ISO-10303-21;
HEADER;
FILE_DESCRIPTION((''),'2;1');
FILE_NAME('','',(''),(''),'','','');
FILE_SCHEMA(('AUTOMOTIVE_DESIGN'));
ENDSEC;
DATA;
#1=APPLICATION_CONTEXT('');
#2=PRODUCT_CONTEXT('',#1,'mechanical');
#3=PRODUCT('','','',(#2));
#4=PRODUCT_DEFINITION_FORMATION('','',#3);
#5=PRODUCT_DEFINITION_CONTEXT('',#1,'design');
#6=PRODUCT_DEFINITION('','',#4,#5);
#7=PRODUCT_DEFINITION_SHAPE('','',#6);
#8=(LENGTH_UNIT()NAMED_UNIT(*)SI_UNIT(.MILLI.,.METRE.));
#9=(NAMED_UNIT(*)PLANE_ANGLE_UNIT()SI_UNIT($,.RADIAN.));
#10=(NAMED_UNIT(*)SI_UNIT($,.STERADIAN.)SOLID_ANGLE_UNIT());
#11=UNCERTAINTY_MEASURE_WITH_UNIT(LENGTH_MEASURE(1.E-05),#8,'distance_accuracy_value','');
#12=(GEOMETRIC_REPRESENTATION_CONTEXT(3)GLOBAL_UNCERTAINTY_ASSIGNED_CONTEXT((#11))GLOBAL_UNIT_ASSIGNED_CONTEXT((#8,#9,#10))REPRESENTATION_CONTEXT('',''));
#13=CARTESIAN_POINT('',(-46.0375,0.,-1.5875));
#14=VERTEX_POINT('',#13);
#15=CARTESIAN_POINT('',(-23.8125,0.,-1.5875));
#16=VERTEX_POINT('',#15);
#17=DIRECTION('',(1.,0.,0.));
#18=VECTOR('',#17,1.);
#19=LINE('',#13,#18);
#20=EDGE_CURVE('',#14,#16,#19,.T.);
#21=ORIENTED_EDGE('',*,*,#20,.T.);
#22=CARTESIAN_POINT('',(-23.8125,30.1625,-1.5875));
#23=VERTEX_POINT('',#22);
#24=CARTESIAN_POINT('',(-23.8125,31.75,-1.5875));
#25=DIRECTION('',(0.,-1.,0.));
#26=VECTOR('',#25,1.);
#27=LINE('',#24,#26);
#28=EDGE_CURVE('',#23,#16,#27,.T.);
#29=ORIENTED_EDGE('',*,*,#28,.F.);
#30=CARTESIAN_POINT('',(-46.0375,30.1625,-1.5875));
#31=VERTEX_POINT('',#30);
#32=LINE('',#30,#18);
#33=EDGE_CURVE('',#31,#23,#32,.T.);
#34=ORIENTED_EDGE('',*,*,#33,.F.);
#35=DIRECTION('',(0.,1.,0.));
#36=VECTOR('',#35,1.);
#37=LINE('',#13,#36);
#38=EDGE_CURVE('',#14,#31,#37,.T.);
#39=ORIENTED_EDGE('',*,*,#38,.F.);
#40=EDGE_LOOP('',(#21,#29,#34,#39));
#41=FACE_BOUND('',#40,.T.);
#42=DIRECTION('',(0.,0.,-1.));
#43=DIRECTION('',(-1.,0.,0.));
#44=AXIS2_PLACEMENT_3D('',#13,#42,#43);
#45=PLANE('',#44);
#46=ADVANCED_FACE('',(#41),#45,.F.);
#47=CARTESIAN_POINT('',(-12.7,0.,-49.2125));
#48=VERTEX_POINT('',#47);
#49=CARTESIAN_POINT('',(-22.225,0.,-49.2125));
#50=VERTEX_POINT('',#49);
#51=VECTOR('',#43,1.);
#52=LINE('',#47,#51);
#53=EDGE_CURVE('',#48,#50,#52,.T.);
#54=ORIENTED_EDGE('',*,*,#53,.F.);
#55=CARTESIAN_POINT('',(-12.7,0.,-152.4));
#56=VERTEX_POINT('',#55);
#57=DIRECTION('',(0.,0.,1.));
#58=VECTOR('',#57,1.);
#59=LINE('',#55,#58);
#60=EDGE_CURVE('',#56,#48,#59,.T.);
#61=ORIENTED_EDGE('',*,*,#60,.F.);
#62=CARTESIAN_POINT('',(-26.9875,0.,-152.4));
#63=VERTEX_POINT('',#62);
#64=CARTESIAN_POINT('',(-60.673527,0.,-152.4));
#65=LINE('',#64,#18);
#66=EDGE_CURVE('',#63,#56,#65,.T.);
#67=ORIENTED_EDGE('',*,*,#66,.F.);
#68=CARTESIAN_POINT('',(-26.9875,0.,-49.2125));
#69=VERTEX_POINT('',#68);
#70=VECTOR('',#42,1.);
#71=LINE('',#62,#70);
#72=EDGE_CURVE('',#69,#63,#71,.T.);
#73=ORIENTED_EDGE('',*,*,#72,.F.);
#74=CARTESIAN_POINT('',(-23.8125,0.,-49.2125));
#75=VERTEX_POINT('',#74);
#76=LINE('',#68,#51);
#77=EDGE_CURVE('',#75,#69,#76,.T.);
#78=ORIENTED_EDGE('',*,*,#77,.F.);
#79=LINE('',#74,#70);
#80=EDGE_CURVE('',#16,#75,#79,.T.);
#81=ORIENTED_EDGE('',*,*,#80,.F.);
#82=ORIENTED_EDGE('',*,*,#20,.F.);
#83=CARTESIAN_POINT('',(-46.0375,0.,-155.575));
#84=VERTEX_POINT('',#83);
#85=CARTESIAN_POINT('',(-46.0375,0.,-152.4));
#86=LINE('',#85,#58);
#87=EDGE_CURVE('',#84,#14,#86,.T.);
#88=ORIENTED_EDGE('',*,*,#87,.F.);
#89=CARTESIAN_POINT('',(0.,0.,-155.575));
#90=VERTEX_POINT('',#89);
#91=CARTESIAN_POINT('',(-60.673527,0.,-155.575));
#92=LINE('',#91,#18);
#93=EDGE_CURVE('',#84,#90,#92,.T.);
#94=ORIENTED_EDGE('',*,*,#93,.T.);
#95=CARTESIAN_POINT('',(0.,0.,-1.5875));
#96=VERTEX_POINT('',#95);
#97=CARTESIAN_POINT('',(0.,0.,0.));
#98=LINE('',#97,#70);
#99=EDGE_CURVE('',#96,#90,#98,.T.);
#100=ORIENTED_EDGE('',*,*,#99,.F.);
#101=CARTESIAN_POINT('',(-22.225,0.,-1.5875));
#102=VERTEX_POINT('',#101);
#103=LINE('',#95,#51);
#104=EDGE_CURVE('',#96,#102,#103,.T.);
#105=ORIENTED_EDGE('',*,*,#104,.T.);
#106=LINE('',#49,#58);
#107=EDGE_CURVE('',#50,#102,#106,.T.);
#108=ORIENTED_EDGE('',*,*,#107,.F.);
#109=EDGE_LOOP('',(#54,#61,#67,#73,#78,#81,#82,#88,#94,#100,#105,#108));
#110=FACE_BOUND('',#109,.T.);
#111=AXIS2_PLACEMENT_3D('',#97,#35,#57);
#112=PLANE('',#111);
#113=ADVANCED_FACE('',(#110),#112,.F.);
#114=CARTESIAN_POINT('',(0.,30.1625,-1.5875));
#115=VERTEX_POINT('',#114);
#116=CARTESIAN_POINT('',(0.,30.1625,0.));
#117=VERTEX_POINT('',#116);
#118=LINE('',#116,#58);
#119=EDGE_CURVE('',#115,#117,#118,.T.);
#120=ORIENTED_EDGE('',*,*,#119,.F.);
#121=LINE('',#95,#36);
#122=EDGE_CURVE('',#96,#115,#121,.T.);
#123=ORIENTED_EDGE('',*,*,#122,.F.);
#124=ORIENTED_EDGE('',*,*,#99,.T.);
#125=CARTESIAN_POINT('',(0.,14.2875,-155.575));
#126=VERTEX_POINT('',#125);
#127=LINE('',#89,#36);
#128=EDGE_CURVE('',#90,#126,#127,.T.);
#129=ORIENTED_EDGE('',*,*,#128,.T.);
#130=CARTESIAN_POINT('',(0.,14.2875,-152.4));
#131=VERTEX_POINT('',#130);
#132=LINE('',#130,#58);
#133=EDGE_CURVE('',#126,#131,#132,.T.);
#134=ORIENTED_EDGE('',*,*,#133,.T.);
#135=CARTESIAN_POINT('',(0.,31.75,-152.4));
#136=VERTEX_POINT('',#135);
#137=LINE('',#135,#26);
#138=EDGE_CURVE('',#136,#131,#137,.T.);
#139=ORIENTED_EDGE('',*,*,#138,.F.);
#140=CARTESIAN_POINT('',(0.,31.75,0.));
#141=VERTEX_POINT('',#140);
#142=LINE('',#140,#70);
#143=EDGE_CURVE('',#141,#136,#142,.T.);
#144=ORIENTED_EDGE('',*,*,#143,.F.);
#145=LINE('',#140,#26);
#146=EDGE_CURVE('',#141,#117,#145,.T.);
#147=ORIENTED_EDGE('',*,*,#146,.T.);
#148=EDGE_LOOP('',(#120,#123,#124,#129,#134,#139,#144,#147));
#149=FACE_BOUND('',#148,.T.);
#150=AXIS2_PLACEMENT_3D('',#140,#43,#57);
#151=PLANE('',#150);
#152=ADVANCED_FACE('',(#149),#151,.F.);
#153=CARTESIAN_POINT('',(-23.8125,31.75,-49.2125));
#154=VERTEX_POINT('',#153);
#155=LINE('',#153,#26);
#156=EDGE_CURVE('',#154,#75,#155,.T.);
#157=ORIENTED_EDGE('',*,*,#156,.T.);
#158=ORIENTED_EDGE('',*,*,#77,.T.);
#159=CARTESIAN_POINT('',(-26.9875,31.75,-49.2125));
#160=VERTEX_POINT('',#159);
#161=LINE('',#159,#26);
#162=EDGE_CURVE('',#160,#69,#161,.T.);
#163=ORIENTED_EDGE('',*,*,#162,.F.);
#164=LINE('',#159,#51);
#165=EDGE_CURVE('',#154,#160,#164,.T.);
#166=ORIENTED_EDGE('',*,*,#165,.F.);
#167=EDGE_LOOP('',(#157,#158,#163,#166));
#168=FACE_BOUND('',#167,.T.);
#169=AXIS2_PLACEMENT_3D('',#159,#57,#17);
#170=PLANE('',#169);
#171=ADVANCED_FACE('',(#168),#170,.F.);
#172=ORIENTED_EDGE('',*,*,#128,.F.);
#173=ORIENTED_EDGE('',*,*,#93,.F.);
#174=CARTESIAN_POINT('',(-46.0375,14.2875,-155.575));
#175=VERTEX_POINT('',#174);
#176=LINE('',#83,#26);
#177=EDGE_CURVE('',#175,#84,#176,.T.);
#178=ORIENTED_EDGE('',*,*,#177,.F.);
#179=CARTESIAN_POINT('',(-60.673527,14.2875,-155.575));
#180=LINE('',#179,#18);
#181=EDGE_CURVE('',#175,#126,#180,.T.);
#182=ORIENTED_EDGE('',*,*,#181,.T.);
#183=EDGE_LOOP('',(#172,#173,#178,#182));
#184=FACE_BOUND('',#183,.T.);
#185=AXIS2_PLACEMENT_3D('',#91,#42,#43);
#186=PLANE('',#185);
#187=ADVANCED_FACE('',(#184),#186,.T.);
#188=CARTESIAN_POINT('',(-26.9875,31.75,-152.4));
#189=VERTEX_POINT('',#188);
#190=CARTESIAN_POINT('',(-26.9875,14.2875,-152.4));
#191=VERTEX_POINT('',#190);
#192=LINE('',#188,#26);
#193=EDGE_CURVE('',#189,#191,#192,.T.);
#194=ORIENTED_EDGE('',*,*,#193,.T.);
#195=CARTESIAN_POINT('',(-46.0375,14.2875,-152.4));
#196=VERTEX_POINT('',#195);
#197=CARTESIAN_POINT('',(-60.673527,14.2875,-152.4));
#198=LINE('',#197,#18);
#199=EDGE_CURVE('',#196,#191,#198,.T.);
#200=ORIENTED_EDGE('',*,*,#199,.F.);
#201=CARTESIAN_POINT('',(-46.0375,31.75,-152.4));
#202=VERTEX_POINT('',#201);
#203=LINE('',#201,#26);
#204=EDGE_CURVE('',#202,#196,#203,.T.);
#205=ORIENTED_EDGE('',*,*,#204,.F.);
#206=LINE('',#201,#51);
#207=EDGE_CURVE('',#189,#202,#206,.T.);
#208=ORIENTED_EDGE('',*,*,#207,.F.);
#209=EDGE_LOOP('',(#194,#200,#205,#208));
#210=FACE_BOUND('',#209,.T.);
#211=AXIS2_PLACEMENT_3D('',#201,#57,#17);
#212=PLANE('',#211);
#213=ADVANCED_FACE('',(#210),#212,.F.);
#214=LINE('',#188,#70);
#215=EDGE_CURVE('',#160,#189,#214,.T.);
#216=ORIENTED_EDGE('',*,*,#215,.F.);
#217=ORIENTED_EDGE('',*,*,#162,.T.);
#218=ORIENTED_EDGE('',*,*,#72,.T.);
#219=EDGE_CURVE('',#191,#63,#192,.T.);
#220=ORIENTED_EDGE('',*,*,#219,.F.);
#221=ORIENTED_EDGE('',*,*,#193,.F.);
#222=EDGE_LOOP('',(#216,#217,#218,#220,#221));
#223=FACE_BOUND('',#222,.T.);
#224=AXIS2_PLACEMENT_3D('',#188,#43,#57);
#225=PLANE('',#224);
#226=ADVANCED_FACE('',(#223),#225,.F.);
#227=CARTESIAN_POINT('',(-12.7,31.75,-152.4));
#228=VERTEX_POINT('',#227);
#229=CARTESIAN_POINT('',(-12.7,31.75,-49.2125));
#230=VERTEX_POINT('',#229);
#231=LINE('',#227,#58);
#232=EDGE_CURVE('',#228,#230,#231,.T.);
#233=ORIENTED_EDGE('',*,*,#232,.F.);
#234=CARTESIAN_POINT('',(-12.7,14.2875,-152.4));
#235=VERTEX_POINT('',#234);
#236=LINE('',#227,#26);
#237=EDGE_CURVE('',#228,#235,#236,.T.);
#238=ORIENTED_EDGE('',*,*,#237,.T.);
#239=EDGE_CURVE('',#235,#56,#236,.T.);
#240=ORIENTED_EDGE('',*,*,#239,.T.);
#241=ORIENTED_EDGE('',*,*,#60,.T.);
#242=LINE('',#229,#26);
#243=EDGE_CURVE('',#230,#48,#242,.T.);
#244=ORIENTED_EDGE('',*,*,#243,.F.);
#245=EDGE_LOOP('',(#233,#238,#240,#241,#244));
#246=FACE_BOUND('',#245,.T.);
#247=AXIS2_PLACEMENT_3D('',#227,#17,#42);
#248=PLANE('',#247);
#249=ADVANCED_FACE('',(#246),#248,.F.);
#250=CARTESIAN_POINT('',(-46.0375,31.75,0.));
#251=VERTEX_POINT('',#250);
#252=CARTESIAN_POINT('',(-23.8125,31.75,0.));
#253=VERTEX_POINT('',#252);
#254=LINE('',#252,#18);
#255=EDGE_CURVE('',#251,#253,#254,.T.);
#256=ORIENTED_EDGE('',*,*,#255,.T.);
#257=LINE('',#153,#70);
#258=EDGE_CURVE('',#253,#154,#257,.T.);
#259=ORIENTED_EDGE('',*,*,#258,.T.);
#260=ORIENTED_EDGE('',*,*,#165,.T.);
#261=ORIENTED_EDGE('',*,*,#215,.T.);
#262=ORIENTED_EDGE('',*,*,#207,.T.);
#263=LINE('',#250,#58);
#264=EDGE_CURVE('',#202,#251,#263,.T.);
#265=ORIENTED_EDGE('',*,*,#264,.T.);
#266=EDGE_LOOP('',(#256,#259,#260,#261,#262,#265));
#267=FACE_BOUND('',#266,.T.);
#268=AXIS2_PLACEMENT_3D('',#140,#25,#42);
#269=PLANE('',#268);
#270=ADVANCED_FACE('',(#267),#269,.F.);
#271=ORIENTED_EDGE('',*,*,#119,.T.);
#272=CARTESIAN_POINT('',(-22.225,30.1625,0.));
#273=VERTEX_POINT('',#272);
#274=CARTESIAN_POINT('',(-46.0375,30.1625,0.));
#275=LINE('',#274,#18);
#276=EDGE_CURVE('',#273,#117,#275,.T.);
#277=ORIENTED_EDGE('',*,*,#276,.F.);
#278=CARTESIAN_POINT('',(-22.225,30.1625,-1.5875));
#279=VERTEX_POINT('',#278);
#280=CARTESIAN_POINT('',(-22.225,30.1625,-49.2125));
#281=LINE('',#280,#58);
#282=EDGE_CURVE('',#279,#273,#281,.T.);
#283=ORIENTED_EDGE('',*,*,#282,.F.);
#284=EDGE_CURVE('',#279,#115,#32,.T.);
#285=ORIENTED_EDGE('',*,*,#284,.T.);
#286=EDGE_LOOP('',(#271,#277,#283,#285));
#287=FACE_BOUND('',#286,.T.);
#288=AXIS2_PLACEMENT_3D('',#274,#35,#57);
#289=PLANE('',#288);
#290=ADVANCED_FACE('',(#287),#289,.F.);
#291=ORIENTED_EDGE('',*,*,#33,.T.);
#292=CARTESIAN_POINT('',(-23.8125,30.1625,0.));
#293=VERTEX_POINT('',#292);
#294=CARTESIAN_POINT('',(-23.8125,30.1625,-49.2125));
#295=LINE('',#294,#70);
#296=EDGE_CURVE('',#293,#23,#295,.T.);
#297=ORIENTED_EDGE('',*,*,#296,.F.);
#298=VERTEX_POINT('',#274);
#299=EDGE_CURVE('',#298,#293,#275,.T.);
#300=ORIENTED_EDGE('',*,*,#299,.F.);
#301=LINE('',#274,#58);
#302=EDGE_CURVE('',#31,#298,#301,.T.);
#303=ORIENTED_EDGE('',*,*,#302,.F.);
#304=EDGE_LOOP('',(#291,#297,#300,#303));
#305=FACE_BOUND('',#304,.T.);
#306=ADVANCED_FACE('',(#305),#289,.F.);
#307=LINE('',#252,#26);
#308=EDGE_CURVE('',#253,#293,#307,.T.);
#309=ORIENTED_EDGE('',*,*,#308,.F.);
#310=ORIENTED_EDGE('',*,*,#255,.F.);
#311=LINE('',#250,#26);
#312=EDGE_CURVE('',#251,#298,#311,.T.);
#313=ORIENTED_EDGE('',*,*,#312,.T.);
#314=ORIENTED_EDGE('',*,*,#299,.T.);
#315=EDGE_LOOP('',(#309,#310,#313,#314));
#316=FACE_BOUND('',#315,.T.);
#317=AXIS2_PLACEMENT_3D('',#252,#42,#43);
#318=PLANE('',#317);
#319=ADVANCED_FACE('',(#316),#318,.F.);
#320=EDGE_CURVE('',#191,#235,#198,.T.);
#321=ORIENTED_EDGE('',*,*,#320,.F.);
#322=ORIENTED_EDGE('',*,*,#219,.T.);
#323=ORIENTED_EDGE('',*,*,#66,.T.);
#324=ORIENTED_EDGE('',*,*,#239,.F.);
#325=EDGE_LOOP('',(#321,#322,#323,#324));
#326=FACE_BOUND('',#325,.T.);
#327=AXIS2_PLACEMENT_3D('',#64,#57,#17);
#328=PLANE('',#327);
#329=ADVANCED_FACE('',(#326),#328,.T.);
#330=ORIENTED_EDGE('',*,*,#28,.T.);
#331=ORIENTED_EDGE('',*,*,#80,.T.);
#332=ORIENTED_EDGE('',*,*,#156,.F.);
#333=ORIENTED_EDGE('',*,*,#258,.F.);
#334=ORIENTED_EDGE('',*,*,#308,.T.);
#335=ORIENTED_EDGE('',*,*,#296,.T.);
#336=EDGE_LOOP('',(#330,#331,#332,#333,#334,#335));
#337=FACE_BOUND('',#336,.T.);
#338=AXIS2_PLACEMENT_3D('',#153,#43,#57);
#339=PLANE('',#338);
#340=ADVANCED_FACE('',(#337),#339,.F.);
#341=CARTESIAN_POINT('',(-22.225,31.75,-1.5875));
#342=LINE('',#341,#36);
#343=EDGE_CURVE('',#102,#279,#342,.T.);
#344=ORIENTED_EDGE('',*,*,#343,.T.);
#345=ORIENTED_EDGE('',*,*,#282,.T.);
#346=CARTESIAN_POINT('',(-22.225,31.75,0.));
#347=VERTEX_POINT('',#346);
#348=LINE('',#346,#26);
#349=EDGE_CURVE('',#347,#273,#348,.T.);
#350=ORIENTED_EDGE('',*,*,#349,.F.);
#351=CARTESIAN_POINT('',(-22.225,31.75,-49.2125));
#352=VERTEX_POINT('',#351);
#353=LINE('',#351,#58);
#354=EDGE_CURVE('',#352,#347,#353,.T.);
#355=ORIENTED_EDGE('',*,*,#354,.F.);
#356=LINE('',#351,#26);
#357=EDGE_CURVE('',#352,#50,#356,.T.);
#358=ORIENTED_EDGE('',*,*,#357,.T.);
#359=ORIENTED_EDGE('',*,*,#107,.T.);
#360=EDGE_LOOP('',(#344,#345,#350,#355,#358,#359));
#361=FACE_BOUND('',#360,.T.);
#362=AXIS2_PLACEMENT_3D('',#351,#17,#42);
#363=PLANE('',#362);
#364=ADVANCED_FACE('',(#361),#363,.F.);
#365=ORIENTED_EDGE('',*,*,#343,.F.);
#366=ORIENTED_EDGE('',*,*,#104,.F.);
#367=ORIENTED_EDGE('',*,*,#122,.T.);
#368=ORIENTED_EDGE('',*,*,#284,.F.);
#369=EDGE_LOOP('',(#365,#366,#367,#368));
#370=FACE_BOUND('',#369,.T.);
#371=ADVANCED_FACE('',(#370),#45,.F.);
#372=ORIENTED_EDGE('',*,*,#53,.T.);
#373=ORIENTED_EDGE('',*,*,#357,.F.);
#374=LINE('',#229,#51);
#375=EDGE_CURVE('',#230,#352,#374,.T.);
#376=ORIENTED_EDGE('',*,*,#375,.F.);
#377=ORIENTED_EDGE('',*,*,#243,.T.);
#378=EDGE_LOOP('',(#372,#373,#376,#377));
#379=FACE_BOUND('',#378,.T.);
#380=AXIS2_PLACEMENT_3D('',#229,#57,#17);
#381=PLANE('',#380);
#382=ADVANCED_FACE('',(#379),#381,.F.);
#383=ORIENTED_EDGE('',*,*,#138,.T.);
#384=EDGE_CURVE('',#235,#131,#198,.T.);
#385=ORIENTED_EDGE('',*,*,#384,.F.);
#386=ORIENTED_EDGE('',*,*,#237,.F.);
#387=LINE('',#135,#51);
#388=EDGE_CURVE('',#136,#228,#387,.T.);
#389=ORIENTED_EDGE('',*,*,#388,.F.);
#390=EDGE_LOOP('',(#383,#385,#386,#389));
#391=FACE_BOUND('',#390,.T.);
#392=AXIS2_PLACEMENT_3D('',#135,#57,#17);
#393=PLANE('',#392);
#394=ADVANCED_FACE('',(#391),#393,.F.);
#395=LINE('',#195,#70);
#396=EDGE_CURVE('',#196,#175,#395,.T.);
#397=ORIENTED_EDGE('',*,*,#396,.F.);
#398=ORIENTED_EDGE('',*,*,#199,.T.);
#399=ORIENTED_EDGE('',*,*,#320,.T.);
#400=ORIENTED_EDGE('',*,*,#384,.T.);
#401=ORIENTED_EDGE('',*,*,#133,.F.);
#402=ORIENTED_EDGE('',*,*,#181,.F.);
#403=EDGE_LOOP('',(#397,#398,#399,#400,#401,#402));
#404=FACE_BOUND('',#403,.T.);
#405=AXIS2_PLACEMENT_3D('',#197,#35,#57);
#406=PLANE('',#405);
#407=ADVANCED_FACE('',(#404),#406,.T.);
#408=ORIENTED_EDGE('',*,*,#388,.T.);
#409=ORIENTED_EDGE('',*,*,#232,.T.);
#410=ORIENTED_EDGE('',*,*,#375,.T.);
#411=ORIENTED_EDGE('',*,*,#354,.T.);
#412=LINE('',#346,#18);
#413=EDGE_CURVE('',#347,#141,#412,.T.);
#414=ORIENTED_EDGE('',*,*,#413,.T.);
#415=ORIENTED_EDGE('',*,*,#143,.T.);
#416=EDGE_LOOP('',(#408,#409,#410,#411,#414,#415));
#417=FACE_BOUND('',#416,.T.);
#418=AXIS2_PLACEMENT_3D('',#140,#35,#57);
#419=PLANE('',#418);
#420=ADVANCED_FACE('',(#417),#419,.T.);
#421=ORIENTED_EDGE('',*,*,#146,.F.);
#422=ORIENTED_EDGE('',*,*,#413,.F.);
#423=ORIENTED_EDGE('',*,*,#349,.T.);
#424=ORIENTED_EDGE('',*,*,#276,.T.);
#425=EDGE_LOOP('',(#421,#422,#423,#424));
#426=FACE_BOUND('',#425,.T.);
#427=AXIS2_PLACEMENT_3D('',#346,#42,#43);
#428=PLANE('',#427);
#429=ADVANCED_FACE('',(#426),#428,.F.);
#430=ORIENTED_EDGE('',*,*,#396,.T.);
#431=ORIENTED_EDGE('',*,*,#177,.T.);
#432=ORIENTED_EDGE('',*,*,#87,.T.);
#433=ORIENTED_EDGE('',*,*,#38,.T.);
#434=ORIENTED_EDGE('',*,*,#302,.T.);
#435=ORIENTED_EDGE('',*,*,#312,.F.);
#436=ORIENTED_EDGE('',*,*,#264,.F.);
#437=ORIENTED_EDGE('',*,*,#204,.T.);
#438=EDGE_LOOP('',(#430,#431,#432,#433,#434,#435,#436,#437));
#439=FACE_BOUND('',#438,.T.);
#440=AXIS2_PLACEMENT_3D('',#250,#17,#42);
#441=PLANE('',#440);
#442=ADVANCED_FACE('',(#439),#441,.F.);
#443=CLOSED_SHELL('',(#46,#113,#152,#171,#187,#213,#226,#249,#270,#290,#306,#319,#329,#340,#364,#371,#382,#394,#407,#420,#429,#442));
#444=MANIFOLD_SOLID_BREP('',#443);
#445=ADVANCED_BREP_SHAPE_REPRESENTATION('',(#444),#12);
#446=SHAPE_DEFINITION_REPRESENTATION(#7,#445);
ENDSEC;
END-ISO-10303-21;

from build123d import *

# Parameters (mm, degrees)
BOSS_EXTRUDE1_DEPTH   = 31.75
BOSS_EXTRUDE1_2_DEPTH = 31.75
SKETCH2_W             = 1.5875
SKETCH2_H             = 30.1625
CUT_EXTRUDE1_DEPTH    = 47.0375
SKETCH3_W             = 3.175
SKETCH3_H             = 14.2875
BOSS_EXTRUDE2_DEPTH   = 46.0375


with BuildPart() as part:
    # Sketch1 → Boss-Extrude1 (new body)
    with BuildSketch(Plane(origin=(0, 0, 0), x_dir=(1, 0, 0), z_dir=(0, 1, 0))):
        Polygon((0, 0), (0, 152.4), (-12.7, 152.4), (-12.7, 49.2125), (-22.225, 49.2125), (-22.225, 0), align=None)
    extrude(amount=BOSS_EXTRUDE1_DEPTH)


with BuildPart() as body_2:
    # Sketch1 → Boss-Extrude1 2 (new body)
    with BuildSketch(Plane(origin=(0, 0, 0), x_dir=(1, 0, 0), z_dir=(0, 1, 0))):
        Polygon((-23.8125, 0), (-46.0375, 0), (-46.0375, 152.4), (-26.9875, 152.4), (-26.9875, 49.2125), (-23.8125, 49.2125), align=None)
    extrude(amount=BOSS_EXTRUDE1_2_DEPTH)


with BuildPart() as cut_extrude1_tool:
    # Sketch2 → Cut-Extrude1 (new body, through all)
    with BuildSketch(Plane(origin=(0, 0, 0), x_dir=(0, 0, -1), z_dir=(1, 0, 0))):
        with Locations((0.79375, 15.08125)):
            Rectangle(SKETCH2_W, SKETCH2_H)
    extrude(amount=-CUT_EXTRUDE1_DEPTH)


with BuildPart() as part_1:
    add(part.part)

    # Cut-Extrude1: cut by cut_extrude1_tool
    add(cut_extrude1_tool.part, mode=Mode.SUBTRACT)



with BuildPart() as body_2_1:
    add(body_2.part)

    # Cut-Extrude1: cut by cut_extrude1_tool
    add(cut_extrude1_tool.part, mode=Mode.SUBTRACT)


with BuildPart() as part_2:
    add(part_1.part)

    add(body_2_1.part)  # Boss-Extrude2 merges body 2
    # Sketch3 → Boss-Extrude2 (add)
    with BuildSketch(Plane(origin=(0, 0, 0), x_dir=(0, 0, -1), z_dir=(1, 0, 0))):
        with Locations((153.9875, 7.14375)):
            Rectangle(SKETCH3_W, SKETCH3_H)
    extrude(amount=-BOSS_EXTRUDE2_DEPTH)


solid = part_2.part
